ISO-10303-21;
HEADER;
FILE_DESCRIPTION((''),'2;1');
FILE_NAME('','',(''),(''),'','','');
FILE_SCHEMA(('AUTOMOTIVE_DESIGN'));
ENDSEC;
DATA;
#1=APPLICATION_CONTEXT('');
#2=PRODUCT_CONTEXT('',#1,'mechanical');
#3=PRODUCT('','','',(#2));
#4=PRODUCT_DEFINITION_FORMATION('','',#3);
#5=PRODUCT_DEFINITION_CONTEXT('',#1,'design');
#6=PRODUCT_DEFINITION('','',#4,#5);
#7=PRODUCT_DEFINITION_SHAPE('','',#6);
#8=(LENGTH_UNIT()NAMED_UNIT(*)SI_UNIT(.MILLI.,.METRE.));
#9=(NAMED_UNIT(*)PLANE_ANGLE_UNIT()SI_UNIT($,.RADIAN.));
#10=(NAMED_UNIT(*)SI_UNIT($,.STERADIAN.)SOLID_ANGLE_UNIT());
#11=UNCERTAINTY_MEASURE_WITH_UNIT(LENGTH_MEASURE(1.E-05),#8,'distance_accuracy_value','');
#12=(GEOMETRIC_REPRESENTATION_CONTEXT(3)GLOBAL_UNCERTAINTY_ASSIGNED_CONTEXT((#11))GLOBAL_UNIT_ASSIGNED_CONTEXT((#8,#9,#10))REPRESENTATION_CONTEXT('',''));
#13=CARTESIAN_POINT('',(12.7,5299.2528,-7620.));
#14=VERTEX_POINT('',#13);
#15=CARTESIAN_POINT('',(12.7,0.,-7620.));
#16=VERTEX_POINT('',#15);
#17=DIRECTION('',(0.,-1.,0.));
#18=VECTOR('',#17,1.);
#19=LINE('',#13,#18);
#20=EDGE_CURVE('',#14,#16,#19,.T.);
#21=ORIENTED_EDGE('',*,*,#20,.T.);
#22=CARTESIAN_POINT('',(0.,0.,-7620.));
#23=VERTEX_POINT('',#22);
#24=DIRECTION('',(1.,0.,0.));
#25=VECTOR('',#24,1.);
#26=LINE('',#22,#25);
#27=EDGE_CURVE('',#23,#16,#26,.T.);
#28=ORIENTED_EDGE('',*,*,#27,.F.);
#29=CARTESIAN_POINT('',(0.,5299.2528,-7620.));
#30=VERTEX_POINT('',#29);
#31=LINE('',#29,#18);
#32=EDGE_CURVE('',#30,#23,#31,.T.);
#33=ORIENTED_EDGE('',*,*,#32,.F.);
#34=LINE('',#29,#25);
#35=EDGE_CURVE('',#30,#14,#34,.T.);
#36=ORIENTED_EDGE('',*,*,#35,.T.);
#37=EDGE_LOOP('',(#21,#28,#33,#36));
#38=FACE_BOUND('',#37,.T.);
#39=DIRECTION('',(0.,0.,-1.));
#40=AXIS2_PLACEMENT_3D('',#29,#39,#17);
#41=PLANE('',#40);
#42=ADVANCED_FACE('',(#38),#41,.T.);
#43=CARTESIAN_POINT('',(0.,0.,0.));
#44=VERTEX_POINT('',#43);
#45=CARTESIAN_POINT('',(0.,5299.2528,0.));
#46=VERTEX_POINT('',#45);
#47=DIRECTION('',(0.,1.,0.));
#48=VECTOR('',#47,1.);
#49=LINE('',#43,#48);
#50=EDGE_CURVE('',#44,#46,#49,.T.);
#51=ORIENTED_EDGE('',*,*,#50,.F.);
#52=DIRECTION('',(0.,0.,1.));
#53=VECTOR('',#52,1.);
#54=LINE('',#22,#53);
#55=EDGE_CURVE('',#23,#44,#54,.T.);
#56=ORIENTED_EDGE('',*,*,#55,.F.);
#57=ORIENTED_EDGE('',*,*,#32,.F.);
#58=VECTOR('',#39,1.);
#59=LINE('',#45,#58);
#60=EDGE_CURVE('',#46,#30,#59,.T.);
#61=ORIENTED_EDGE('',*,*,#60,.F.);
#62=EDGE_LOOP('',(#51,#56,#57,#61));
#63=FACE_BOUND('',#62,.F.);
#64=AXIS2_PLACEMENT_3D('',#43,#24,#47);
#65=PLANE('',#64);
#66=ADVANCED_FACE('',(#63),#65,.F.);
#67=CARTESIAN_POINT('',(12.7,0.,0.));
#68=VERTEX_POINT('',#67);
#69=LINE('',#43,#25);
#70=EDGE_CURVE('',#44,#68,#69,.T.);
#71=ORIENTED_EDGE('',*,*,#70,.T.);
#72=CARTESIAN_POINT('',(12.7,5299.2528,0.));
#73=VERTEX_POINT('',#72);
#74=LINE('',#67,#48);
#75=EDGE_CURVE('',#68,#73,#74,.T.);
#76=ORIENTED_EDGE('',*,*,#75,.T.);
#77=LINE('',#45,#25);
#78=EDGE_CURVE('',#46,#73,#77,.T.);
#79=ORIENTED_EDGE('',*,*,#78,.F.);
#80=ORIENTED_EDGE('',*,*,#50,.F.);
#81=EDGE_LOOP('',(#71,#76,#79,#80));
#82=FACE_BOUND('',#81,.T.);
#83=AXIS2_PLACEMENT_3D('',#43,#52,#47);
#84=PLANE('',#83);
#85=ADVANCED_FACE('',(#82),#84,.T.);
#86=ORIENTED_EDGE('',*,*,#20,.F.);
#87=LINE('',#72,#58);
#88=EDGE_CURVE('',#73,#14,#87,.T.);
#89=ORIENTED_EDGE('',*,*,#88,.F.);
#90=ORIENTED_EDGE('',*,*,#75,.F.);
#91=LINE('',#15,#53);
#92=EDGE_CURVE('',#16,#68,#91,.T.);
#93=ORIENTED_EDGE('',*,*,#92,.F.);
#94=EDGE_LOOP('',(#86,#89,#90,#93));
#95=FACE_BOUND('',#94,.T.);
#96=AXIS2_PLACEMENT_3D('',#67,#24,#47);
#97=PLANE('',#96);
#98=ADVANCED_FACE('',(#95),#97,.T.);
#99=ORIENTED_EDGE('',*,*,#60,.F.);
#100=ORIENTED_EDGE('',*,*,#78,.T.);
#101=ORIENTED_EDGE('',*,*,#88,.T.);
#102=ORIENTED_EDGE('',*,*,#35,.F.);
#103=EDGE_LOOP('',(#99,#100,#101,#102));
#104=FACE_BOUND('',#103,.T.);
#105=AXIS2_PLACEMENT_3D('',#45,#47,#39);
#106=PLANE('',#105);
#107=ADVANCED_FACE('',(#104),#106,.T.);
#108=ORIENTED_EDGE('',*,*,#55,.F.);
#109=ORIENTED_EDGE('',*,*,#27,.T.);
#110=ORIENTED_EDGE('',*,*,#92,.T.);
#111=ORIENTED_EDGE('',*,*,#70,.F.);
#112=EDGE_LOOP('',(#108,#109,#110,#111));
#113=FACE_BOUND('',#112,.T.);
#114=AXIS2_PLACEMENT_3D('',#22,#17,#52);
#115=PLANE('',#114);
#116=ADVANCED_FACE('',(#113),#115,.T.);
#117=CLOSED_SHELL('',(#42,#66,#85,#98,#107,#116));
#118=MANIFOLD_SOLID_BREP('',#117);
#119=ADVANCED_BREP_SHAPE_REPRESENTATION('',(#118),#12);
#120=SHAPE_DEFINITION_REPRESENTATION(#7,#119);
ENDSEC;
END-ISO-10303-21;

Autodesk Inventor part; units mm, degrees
ref_plane "YZ Plane" through (0, 0, 0) normal (1, 0, 0) x (0, 1, 0)
ref_plane "XZ Plane" through (0, 0, 0) normal (0, 1, 0) x (-1, 0, 0)
ref_plane "XY Plane" through (0, 0, 0) normal (0, 0, 1) x (1, 0, 0)
sketch "Sketch1" plane through (0, 0, 0) normal (1, 0, 0) x (0, 1, 0)
  line L0 (0, 0) -> (5299.2528, 0)
  line L1 (5299.2528, 0) -> (5299.2528, -7620)
  line L2 (5299.2528, -7620) -> (0, -7620)
  line L3 (0, -7620) -> (0, 0)
  dimension "d2" = 7620
  dimension "d3" = 5299.2528
extrude "Extrusion1" add sketch "Sketch1" along normal blind 12.7
properties part number "Shingles" material "Wood (Southern Pine)"
